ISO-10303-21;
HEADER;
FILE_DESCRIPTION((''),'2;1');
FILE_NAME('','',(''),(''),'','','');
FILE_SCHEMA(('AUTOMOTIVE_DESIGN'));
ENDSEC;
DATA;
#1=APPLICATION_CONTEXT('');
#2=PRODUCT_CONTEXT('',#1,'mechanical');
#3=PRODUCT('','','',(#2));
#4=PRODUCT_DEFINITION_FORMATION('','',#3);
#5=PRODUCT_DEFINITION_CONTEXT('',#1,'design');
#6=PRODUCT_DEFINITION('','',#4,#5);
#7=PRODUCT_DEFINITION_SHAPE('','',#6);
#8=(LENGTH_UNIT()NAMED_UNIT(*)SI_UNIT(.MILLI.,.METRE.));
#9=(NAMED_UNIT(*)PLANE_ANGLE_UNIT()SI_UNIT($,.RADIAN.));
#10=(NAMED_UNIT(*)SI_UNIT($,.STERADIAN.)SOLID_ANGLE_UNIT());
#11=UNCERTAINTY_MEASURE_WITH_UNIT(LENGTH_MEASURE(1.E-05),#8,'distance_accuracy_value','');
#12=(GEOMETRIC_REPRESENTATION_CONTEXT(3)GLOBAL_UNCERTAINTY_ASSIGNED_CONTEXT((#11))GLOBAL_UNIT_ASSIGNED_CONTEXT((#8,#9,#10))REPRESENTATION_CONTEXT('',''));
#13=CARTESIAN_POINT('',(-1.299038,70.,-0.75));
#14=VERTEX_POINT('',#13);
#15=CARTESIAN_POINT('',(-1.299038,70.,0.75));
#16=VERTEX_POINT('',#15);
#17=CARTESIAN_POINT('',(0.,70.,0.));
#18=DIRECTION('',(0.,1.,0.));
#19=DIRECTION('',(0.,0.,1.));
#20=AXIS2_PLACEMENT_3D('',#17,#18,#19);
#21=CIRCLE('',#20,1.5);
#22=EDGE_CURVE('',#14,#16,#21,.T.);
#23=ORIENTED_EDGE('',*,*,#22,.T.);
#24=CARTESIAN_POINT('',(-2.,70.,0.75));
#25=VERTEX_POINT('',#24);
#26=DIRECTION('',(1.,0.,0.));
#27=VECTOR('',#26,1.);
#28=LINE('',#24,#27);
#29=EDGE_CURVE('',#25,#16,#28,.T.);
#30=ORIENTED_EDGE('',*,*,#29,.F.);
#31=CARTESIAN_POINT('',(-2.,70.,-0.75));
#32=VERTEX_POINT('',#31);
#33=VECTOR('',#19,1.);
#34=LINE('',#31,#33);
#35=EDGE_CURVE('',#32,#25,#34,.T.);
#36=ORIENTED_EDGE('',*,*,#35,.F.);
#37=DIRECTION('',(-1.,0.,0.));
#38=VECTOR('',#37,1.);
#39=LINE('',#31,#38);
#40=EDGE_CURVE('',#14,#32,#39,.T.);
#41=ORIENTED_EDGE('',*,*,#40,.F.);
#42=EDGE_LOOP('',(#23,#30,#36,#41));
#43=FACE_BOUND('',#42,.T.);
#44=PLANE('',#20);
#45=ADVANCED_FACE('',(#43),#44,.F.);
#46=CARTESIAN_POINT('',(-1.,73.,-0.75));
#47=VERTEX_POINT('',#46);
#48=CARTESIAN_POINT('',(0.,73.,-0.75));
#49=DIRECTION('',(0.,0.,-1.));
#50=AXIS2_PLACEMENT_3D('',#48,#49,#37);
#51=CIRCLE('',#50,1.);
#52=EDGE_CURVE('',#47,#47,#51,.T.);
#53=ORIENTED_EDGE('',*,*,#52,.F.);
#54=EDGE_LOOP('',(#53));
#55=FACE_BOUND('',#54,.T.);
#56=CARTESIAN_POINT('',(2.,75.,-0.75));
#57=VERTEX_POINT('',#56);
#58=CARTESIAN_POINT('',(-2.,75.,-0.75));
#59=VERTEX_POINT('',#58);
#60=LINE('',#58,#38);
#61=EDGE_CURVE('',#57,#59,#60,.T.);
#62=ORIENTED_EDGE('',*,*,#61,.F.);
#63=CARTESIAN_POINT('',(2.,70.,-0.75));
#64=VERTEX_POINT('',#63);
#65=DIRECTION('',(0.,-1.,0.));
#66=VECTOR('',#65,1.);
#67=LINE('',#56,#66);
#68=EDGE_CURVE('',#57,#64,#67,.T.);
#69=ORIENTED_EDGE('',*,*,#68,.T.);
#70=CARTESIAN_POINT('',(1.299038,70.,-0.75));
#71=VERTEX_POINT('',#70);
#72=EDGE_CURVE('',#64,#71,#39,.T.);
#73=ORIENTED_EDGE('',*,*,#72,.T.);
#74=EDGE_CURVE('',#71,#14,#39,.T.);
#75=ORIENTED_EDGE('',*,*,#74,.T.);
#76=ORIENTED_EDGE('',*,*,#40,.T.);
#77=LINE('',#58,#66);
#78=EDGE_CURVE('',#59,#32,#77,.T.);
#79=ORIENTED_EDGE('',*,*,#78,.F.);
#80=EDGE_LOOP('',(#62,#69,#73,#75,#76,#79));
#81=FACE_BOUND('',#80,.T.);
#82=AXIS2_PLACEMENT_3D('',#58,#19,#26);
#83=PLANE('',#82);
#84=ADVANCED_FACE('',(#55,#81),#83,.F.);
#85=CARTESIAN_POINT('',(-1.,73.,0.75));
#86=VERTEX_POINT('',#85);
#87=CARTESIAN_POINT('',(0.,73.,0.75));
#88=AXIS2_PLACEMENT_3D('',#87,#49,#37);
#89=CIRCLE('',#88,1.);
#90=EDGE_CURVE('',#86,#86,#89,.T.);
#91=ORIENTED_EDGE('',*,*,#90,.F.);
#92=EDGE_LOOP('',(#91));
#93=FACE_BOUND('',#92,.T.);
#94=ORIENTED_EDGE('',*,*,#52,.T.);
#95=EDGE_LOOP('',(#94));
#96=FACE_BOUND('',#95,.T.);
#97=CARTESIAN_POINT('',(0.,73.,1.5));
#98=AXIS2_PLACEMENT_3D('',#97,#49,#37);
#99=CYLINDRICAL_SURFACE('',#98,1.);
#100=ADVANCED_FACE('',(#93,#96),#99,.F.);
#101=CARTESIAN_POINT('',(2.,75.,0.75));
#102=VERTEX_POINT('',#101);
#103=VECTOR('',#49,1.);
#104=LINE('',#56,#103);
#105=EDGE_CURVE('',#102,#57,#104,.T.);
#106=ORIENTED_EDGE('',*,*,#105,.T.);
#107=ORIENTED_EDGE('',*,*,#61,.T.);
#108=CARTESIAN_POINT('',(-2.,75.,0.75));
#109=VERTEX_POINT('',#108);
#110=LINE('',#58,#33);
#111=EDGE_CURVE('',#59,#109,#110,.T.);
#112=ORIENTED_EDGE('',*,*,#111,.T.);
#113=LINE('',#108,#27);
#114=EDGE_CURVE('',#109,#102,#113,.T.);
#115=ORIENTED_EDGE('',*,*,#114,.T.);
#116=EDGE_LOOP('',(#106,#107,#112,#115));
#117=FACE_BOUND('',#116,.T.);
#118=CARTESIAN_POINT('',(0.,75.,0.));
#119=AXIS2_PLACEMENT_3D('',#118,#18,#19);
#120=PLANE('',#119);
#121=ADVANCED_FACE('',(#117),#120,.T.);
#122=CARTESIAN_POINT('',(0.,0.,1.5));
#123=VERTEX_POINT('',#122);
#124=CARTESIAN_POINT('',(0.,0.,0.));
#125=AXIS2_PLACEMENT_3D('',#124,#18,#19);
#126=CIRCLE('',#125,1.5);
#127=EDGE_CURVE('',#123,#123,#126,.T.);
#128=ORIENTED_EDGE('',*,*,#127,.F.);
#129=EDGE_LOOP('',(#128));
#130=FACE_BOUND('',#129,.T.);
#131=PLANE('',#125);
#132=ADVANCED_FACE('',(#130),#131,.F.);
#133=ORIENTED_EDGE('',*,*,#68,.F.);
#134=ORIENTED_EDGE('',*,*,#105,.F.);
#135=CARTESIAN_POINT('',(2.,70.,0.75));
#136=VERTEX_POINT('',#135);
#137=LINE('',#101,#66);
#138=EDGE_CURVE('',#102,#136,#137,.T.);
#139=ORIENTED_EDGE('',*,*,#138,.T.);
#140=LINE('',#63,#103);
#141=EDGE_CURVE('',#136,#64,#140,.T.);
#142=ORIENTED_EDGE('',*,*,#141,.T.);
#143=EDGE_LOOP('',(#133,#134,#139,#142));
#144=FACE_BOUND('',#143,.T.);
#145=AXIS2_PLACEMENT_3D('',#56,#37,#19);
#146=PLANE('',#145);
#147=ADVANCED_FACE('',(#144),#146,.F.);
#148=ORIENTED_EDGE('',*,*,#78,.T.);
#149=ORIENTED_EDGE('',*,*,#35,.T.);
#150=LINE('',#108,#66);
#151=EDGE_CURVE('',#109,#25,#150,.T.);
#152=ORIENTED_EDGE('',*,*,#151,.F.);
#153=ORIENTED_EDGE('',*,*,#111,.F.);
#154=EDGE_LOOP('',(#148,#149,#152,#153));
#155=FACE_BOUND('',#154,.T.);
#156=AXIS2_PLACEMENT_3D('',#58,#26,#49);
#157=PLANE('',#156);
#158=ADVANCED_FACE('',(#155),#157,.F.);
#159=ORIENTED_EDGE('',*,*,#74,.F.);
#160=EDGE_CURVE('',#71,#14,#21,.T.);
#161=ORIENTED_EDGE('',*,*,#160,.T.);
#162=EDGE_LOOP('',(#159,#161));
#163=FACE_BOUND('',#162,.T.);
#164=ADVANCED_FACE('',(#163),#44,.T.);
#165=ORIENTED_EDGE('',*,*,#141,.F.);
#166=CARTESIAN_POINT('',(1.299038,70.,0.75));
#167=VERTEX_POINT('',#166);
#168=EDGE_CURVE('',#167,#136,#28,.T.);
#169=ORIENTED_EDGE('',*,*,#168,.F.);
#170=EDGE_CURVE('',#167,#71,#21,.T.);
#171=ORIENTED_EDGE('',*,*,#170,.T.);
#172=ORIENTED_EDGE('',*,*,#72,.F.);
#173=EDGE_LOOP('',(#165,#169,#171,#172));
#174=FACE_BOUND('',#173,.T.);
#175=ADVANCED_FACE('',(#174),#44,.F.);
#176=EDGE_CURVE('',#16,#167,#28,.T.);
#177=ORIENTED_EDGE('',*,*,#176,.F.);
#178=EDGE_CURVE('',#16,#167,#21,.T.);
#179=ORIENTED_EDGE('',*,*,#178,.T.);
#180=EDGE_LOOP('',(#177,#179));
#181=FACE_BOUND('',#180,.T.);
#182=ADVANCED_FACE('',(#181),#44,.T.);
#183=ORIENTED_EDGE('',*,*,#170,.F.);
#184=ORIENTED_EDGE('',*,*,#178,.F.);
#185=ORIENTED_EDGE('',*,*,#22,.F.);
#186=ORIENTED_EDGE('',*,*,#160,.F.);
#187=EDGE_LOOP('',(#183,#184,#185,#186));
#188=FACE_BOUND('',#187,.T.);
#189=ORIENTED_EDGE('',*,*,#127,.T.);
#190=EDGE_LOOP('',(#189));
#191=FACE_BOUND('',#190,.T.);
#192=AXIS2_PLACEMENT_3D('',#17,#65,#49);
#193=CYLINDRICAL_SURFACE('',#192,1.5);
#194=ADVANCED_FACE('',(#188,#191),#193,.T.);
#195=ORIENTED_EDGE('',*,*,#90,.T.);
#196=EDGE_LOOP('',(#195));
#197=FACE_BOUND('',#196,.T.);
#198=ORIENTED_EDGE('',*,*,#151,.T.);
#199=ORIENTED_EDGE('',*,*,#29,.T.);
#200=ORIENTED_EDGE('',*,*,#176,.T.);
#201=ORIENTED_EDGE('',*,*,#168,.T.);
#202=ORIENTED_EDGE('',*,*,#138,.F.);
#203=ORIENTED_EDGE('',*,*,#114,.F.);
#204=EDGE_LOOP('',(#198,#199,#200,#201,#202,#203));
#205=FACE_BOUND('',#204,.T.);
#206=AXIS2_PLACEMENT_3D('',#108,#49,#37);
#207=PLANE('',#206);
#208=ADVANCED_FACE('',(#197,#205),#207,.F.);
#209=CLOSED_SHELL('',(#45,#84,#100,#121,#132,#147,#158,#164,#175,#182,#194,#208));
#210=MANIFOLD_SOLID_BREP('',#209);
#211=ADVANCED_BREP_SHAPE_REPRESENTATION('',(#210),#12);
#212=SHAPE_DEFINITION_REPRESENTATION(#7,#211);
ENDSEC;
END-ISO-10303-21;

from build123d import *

# Parameters (mm, degrees)
SKETCH1_R           = 1.5
BOSS_EXTRUDE1_DEPTH = 70
SKETCH2_W           = 4
SKETCH2_H           = 1.5
BOSS_EXTRUDE2_DEPTH = 5
SKETCH3_R           = 1
CUT_EXTRUDE1_DEPTH  = 3.25


with BuildPart() as part:
    # Sketch1 → Boss-Extrude1 (new body)
    with BuildSketch(Plane(origin=(0, 0, 0), x_dir=(1, 0, 0), z_dir=(0, 1, 0))):
        Circle(SKETCH1_R)
    extrude(amount=BOSS_EXTRUDE1_DEPTH)

    # Sketch2 → Boss-Extrude2 (add)
    with BuildSketch(Plane(origin=(0, 70, 0), x_dir=(1, 0, 0), z_dir=(0, 1, 0))):
        Rectangle(SKETCH2_W, SKETCH2_H)
    extrude(amount=BOSS_EXTRUDE2_DEPTH)

    # Sketch3 → Cut-Extrude1 (cut, through all)
    with BuildSketch(Plane(origin=(0, 0, -0.75), x_dir=(-1, 0, 0), z_dir=(0, 0, -1))):
        with Locations((0, 73)):
            Circle(SKETCH3_R)
    extrude(amount=-CUT_EXTRUDE1_DEPTH, mode=Mode.SUBTRACT)


solid = part.part
